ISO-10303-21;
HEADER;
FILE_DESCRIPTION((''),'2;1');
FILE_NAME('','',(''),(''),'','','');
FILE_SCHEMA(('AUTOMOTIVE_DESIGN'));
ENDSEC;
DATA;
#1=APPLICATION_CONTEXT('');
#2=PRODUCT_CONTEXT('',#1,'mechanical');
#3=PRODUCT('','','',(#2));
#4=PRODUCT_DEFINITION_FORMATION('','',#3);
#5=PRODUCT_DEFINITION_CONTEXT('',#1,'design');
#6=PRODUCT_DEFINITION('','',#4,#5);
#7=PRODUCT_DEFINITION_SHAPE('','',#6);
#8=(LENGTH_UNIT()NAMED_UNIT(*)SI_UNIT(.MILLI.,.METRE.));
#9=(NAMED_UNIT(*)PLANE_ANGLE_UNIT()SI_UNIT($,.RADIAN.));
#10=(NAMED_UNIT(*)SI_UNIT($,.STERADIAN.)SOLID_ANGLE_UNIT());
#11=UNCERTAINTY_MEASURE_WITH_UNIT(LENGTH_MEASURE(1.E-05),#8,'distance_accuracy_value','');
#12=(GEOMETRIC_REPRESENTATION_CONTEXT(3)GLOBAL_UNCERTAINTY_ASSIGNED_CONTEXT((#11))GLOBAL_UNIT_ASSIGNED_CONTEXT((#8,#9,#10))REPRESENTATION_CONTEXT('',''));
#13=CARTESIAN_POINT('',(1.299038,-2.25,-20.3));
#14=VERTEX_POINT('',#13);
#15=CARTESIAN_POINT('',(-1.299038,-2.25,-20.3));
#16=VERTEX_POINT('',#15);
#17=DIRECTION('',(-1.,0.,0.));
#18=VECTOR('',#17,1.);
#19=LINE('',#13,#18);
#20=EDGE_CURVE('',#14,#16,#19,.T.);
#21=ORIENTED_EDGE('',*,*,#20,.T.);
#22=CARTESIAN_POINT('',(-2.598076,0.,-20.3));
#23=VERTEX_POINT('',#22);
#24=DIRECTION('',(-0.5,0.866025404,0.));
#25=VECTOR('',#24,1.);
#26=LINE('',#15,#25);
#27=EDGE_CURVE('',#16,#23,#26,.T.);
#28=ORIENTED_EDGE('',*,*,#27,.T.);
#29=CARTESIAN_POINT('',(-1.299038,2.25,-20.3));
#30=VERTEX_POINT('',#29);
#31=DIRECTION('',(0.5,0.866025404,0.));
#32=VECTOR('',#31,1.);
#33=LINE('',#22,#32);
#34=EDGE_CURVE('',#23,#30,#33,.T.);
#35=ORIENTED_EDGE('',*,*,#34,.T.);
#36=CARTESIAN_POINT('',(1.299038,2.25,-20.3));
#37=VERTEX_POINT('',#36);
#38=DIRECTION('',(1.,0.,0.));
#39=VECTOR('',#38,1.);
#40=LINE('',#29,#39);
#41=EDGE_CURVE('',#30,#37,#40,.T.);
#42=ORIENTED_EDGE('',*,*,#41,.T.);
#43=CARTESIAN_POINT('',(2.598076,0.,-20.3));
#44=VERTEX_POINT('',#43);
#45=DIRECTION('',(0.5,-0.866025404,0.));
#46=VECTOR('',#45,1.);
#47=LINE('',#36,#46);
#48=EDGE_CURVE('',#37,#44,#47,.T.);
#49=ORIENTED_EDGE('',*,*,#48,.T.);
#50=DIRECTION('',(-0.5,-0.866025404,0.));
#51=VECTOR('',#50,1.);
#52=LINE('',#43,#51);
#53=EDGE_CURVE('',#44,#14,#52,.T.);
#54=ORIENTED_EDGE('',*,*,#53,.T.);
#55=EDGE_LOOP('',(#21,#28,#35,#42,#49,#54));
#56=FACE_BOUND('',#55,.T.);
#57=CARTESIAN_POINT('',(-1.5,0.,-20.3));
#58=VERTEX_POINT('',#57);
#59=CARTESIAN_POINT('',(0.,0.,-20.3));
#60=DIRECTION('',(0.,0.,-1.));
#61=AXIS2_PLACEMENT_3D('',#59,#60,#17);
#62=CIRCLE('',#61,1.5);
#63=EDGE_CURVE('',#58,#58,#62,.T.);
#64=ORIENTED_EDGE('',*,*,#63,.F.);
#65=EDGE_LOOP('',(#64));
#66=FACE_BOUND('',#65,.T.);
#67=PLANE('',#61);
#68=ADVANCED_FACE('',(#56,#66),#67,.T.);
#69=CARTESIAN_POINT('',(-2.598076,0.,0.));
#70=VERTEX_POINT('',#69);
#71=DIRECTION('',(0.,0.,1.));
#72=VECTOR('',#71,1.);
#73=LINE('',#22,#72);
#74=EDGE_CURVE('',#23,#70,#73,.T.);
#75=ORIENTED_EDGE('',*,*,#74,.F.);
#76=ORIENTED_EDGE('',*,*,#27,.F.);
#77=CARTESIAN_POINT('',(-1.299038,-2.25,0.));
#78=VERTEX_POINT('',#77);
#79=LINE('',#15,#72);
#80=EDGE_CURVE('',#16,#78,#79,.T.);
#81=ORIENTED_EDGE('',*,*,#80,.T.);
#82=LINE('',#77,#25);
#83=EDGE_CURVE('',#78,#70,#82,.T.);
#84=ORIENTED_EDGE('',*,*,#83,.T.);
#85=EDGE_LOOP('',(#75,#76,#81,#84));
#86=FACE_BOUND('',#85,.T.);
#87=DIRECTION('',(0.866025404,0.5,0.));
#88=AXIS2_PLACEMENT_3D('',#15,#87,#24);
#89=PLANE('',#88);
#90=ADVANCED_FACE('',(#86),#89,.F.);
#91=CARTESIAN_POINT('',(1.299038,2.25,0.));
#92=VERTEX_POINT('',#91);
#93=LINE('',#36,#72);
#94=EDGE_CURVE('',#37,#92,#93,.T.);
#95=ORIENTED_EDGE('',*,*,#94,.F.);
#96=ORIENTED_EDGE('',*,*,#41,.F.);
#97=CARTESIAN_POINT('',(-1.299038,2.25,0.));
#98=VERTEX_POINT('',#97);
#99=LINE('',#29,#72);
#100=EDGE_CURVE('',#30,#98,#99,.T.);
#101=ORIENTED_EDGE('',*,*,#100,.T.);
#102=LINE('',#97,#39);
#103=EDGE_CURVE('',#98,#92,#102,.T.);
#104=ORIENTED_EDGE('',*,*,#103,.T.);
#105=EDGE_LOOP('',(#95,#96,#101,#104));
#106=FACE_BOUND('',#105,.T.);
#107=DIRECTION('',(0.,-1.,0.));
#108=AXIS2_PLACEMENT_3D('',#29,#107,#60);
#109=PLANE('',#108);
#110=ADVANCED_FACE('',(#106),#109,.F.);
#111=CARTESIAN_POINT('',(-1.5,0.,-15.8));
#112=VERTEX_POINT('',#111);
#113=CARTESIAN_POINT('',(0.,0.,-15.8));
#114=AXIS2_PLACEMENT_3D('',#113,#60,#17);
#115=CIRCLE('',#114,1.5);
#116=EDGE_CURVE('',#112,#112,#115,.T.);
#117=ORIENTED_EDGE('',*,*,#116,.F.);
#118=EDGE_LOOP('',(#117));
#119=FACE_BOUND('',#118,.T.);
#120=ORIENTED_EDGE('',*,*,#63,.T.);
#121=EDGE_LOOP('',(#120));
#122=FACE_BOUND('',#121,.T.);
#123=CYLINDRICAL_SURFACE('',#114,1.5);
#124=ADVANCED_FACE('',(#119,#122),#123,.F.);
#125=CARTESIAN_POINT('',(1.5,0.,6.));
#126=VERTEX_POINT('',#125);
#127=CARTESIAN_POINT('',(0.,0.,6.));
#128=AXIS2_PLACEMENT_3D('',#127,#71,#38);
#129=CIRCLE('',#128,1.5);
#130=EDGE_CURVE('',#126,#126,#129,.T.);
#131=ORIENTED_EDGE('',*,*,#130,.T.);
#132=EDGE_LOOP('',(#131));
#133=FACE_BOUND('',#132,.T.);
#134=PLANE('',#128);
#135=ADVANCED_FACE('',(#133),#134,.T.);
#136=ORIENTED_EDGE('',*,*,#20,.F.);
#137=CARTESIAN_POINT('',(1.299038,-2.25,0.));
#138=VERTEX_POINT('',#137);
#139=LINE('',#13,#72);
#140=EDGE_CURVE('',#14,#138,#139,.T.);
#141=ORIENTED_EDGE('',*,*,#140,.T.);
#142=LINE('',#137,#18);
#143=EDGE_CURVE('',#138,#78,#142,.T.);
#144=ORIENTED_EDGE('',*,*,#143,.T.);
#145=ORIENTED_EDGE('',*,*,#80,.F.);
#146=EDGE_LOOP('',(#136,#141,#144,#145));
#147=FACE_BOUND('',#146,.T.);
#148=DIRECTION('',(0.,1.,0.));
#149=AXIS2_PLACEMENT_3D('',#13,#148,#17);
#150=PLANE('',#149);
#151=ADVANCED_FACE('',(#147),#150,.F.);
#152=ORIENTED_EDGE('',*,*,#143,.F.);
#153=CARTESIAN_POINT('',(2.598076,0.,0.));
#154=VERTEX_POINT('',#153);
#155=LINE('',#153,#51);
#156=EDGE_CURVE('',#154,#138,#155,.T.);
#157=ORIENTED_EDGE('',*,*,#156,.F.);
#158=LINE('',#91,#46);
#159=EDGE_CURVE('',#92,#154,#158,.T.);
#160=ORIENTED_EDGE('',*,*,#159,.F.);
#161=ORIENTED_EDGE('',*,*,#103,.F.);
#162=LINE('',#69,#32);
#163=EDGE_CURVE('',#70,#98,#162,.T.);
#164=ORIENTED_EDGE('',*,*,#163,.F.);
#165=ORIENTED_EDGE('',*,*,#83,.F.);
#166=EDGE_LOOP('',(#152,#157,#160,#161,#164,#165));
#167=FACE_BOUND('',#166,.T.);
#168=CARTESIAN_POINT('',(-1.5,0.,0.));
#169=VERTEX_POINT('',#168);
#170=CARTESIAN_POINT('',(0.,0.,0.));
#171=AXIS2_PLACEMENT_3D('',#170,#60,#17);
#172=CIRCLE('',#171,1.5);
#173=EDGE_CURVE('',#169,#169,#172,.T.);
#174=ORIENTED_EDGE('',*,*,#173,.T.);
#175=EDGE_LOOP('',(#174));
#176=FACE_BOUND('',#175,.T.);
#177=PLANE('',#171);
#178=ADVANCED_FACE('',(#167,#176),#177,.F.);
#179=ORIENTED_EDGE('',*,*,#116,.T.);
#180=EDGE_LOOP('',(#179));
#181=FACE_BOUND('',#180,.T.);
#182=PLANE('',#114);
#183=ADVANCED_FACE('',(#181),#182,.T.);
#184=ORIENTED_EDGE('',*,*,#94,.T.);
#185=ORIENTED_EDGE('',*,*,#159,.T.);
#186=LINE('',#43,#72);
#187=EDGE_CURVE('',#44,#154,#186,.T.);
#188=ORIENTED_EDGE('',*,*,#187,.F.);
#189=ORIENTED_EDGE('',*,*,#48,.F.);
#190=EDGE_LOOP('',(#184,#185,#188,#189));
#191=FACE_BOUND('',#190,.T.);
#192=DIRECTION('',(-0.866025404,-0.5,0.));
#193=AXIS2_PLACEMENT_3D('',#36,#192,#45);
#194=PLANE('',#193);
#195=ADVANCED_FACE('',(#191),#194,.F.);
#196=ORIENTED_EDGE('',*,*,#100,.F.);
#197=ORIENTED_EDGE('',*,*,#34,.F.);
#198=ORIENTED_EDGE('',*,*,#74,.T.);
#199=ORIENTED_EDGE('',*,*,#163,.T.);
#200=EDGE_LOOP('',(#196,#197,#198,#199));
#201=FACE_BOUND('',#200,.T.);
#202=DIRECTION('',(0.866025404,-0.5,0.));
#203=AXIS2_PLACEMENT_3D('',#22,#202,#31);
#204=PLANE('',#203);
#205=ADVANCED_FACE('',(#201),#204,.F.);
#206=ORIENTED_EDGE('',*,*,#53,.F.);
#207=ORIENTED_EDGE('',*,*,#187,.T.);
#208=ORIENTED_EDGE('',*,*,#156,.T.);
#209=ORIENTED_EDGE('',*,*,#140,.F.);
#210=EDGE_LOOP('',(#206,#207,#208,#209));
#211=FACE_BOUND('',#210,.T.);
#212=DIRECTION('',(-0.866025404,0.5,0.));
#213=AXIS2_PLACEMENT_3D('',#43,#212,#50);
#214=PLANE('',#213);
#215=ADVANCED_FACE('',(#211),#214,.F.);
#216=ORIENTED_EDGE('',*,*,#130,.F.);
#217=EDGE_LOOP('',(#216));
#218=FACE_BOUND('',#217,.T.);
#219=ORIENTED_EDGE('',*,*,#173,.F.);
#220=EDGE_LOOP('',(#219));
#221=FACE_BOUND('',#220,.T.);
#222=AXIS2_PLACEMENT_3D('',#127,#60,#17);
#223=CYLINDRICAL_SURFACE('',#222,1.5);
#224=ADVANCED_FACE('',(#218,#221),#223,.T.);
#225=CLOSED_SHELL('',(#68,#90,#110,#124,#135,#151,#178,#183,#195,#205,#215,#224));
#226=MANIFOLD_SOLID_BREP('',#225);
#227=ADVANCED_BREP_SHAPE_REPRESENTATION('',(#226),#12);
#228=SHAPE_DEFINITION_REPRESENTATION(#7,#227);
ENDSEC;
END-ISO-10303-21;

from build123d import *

# Parameters (mm, degrees)
SKETCH1_R           = 1.5
BOSS_EXTRUDE1_DEPTH = 6
BOSS_EXTRUDE2_DEPTH = 20.3
SKETCH3_R           = 1.5
CUT_EXTRUDE1_DEPTH  = 4.5


with BuildPart() as part:
    # Sketch1 → Boss-Extrude1 (new body)
    with BuildSketch(Plane.XY):
        Circle(SKETCH1_R)
    extrude(amount=BOSS_EXTRUDE1_DEPTH)

    # Sketch2 → Boss-Extrude2 (add)
    with BuildSketch(Plane(origin=(0, 0, 0), x_dir=(-1, 0, 0), z_dir=(0, 0, -1))):
        Polygon((-1.299038106, 2.25), (-2.598076211, 0), (-1.299038106, -2.25), (1.299038106, -2.25), (2.598076211, 0), (1.299038106, 2.25), align=None)
    extrude(amount=BOSS_EXTRUDE2_DEPTH)

    # Sketch3 → Cut-Extrude1 (cut)
    with BuildSketch(Plane(origin=(0, 0, -20.3), x_dir=(-1, 0, 0), z_dir=(0, 0, -1))):
        Circle(SKETCH3_R)
    extrude(amount=-CUT_EXTRUDE1_DEPTH, mode=Mode.SUBTRACT)


solid = part.part
